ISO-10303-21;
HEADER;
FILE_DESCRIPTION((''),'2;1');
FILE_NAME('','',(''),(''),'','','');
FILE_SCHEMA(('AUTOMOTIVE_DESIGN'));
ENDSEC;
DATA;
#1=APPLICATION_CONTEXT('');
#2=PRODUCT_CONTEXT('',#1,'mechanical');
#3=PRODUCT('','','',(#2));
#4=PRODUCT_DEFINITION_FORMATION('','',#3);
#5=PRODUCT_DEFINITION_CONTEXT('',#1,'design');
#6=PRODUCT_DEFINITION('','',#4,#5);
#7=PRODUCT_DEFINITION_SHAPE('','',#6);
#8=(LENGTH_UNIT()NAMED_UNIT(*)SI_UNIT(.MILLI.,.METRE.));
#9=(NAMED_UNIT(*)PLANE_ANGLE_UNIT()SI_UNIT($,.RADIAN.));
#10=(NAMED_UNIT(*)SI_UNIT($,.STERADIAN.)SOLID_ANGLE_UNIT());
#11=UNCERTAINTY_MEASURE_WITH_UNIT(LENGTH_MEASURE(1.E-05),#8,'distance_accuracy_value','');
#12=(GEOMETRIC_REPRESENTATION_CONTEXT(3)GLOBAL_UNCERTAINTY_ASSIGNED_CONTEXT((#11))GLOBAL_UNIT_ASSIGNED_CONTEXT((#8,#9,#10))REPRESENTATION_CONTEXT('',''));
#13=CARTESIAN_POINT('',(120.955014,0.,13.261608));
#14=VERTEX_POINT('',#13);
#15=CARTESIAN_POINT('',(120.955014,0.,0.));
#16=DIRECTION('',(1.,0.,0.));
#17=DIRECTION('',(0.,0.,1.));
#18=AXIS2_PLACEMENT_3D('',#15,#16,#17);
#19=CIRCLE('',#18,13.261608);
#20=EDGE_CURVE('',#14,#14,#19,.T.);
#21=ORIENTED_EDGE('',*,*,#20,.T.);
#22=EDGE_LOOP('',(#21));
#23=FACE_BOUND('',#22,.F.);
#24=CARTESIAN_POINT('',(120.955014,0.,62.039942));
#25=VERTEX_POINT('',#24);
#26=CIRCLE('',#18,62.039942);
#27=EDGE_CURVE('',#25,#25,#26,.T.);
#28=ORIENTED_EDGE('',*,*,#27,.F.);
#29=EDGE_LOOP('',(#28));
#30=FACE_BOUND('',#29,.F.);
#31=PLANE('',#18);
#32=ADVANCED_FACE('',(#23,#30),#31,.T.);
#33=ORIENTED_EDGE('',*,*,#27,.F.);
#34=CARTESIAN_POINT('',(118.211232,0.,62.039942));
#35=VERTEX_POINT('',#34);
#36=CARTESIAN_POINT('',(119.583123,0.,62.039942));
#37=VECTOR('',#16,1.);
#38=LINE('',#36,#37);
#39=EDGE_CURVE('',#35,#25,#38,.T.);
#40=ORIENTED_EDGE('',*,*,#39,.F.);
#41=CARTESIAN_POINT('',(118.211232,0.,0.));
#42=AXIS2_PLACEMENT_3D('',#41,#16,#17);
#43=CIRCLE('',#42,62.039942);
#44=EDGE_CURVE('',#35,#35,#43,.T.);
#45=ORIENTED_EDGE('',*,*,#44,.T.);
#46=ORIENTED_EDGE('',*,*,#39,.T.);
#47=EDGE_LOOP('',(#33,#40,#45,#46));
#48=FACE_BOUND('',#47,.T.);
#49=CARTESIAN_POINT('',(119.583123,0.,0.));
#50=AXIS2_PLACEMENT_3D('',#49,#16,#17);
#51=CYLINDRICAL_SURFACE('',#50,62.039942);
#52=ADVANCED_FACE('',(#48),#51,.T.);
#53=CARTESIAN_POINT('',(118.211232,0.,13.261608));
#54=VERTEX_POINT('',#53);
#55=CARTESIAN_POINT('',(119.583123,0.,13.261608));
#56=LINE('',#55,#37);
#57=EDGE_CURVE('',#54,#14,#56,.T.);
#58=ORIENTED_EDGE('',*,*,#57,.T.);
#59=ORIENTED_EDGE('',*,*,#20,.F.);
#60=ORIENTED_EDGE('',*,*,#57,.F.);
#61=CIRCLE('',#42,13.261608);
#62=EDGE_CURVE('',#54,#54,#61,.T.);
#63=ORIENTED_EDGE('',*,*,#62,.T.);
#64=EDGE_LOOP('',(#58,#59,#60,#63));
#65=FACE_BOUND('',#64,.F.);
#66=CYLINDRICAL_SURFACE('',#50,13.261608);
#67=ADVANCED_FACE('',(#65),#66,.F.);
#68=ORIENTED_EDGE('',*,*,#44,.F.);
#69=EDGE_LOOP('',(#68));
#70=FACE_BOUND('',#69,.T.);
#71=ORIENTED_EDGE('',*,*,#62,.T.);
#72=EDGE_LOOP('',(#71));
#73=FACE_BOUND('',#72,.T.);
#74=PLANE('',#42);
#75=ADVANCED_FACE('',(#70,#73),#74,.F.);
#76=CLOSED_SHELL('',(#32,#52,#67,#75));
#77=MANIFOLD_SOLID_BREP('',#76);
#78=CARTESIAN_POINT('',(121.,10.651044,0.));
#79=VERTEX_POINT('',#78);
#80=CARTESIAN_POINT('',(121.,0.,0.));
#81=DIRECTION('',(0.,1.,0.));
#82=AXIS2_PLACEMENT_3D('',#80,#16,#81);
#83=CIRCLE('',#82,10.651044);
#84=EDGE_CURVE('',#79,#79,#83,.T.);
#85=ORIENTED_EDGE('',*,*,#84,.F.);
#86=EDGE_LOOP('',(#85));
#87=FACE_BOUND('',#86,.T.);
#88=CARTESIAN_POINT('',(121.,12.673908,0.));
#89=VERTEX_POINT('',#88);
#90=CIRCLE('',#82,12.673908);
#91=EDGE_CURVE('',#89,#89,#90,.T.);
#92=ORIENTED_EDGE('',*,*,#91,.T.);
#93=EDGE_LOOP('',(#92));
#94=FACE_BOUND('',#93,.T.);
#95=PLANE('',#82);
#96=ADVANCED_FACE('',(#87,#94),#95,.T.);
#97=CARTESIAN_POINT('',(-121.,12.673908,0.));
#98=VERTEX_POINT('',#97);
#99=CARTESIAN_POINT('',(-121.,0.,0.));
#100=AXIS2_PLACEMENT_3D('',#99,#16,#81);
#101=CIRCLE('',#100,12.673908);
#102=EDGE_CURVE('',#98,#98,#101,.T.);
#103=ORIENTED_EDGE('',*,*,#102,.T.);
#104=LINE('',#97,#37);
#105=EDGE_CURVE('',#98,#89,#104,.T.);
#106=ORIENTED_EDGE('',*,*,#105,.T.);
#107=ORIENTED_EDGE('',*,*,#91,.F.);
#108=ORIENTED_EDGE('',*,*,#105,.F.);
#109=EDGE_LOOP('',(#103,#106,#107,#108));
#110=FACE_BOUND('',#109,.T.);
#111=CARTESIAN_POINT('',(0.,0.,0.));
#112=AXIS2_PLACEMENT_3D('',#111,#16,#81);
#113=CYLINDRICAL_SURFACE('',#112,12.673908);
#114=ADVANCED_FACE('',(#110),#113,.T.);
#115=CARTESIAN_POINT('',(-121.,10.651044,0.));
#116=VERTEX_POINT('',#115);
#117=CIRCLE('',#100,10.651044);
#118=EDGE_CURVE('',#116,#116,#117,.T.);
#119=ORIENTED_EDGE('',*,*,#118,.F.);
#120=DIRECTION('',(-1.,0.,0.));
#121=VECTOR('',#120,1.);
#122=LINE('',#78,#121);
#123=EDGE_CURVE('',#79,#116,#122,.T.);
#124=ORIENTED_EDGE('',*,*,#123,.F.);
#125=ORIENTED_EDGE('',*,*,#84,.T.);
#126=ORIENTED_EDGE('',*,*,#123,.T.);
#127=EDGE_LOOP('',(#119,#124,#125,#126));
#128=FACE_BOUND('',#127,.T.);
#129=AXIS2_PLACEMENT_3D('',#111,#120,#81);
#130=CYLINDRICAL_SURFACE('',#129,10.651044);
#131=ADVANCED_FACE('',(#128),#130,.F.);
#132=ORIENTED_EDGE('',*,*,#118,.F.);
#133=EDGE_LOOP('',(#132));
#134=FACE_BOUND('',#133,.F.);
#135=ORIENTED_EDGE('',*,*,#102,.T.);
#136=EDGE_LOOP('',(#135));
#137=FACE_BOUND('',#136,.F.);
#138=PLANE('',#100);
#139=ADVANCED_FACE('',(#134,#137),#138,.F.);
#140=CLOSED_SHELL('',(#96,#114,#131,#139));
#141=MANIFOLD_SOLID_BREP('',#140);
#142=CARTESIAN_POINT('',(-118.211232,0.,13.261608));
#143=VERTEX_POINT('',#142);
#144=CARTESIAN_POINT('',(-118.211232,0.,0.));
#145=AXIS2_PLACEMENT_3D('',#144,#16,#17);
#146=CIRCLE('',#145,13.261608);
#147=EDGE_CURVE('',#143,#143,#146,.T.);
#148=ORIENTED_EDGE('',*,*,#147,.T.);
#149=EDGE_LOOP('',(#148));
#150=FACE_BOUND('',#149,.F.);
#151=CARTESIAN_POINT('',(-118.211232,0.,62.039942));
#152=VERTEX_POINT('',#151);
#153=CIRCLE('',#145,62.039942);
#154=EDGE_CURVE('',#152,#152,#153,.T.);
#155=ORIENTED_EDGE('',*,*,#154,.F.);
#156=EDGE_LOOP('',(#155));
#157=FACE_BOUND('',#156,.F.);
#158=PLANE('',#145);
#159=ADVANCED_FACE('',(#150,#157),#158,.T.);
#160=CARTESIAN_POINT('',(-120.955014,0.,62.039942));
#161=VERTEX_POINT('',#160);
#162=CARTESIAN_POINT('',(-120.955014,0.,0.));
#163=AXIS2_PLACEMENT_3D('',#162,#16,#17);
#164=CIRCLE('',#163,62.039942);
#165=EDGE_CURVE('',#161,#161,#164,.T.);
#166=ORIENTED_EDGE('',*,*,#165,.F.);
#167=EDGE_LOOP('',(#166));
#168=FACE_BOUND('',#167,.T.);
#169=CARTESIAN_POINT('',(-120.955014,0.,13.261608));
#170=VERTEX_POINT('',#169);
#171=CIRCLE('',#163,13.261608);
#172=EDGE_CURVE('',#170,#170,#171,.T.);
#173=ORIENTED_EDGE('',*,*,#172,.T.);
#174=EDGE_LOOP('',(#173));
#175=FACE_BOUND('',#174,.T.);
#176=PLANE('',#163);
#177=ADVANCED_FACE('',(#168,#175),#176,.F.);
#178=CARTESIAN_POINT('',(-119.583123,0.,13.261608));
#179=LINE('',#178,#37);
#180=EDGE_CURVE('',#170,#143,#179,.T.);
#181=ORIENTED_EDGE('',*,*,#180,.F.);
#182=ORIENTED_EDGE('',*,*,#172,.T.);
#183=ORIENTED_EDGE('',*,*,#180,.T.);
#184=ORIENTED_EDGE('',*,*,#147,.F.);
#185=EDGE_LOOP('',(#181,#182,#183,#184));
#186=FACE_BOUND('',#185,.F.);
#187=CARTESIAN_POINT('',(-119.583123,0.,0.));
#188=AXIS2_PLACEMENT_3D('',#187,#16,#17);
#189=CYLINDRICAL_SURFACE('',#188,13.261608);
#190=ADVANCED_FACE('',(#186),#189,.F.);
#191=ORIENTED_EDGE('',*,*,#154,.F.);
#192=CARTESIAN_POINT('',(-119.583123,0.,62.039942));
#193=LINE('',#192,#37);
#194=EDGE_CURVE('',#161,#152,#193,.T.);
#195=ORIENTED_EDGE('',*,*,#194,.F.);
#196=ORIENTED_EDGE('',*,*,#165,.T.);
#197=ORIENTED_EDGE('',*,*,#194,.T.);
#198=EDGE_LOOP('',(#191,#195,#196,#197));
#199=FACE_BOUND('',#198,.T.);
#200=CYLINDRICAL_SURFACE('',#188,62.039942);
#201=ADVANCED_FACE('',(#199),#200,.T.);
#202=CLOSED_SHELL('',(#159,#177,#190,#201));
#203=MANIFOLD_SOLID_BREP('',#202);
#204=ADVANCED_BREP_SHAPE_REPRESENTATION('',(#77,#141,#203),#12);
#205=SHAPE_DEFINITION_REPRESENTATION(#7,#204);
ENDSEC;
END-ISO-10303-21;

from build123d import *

# Parameters (mm, degrees)
F0_R     = 12.673908
F0_R_2   = 10.651044
F1_DEPTH = 121
F3_W     = 2.743781
F3_H     = 48.778334


with BuildPart() as f1:
    # F0 (on Right) → F1 (new body, symmetric)
    with BuildSketch(Plane.YZ):
        Circle(F0_R)
        Circle(F0_R_2, mode=Mode.SUBTRACT)
    extrude(amount=F1_DEPTH, both=True)


with BuildPart() as f4:
    # F3 (on Front) → F4 (revolve)
    with BuildSketch(Plane.XZ):
        with Locations((-119.583123, 37.650775)):
            Rectangle(F3_W, F3_H)
        with Locations((119.583123, 37.650775)):
            Rectangle(F3_W, F3_H)
    revolve(axis=Axis((63.602366, 0, 0), (1, 0, 0)))


solid = Compound([f1.part, f4.part])
